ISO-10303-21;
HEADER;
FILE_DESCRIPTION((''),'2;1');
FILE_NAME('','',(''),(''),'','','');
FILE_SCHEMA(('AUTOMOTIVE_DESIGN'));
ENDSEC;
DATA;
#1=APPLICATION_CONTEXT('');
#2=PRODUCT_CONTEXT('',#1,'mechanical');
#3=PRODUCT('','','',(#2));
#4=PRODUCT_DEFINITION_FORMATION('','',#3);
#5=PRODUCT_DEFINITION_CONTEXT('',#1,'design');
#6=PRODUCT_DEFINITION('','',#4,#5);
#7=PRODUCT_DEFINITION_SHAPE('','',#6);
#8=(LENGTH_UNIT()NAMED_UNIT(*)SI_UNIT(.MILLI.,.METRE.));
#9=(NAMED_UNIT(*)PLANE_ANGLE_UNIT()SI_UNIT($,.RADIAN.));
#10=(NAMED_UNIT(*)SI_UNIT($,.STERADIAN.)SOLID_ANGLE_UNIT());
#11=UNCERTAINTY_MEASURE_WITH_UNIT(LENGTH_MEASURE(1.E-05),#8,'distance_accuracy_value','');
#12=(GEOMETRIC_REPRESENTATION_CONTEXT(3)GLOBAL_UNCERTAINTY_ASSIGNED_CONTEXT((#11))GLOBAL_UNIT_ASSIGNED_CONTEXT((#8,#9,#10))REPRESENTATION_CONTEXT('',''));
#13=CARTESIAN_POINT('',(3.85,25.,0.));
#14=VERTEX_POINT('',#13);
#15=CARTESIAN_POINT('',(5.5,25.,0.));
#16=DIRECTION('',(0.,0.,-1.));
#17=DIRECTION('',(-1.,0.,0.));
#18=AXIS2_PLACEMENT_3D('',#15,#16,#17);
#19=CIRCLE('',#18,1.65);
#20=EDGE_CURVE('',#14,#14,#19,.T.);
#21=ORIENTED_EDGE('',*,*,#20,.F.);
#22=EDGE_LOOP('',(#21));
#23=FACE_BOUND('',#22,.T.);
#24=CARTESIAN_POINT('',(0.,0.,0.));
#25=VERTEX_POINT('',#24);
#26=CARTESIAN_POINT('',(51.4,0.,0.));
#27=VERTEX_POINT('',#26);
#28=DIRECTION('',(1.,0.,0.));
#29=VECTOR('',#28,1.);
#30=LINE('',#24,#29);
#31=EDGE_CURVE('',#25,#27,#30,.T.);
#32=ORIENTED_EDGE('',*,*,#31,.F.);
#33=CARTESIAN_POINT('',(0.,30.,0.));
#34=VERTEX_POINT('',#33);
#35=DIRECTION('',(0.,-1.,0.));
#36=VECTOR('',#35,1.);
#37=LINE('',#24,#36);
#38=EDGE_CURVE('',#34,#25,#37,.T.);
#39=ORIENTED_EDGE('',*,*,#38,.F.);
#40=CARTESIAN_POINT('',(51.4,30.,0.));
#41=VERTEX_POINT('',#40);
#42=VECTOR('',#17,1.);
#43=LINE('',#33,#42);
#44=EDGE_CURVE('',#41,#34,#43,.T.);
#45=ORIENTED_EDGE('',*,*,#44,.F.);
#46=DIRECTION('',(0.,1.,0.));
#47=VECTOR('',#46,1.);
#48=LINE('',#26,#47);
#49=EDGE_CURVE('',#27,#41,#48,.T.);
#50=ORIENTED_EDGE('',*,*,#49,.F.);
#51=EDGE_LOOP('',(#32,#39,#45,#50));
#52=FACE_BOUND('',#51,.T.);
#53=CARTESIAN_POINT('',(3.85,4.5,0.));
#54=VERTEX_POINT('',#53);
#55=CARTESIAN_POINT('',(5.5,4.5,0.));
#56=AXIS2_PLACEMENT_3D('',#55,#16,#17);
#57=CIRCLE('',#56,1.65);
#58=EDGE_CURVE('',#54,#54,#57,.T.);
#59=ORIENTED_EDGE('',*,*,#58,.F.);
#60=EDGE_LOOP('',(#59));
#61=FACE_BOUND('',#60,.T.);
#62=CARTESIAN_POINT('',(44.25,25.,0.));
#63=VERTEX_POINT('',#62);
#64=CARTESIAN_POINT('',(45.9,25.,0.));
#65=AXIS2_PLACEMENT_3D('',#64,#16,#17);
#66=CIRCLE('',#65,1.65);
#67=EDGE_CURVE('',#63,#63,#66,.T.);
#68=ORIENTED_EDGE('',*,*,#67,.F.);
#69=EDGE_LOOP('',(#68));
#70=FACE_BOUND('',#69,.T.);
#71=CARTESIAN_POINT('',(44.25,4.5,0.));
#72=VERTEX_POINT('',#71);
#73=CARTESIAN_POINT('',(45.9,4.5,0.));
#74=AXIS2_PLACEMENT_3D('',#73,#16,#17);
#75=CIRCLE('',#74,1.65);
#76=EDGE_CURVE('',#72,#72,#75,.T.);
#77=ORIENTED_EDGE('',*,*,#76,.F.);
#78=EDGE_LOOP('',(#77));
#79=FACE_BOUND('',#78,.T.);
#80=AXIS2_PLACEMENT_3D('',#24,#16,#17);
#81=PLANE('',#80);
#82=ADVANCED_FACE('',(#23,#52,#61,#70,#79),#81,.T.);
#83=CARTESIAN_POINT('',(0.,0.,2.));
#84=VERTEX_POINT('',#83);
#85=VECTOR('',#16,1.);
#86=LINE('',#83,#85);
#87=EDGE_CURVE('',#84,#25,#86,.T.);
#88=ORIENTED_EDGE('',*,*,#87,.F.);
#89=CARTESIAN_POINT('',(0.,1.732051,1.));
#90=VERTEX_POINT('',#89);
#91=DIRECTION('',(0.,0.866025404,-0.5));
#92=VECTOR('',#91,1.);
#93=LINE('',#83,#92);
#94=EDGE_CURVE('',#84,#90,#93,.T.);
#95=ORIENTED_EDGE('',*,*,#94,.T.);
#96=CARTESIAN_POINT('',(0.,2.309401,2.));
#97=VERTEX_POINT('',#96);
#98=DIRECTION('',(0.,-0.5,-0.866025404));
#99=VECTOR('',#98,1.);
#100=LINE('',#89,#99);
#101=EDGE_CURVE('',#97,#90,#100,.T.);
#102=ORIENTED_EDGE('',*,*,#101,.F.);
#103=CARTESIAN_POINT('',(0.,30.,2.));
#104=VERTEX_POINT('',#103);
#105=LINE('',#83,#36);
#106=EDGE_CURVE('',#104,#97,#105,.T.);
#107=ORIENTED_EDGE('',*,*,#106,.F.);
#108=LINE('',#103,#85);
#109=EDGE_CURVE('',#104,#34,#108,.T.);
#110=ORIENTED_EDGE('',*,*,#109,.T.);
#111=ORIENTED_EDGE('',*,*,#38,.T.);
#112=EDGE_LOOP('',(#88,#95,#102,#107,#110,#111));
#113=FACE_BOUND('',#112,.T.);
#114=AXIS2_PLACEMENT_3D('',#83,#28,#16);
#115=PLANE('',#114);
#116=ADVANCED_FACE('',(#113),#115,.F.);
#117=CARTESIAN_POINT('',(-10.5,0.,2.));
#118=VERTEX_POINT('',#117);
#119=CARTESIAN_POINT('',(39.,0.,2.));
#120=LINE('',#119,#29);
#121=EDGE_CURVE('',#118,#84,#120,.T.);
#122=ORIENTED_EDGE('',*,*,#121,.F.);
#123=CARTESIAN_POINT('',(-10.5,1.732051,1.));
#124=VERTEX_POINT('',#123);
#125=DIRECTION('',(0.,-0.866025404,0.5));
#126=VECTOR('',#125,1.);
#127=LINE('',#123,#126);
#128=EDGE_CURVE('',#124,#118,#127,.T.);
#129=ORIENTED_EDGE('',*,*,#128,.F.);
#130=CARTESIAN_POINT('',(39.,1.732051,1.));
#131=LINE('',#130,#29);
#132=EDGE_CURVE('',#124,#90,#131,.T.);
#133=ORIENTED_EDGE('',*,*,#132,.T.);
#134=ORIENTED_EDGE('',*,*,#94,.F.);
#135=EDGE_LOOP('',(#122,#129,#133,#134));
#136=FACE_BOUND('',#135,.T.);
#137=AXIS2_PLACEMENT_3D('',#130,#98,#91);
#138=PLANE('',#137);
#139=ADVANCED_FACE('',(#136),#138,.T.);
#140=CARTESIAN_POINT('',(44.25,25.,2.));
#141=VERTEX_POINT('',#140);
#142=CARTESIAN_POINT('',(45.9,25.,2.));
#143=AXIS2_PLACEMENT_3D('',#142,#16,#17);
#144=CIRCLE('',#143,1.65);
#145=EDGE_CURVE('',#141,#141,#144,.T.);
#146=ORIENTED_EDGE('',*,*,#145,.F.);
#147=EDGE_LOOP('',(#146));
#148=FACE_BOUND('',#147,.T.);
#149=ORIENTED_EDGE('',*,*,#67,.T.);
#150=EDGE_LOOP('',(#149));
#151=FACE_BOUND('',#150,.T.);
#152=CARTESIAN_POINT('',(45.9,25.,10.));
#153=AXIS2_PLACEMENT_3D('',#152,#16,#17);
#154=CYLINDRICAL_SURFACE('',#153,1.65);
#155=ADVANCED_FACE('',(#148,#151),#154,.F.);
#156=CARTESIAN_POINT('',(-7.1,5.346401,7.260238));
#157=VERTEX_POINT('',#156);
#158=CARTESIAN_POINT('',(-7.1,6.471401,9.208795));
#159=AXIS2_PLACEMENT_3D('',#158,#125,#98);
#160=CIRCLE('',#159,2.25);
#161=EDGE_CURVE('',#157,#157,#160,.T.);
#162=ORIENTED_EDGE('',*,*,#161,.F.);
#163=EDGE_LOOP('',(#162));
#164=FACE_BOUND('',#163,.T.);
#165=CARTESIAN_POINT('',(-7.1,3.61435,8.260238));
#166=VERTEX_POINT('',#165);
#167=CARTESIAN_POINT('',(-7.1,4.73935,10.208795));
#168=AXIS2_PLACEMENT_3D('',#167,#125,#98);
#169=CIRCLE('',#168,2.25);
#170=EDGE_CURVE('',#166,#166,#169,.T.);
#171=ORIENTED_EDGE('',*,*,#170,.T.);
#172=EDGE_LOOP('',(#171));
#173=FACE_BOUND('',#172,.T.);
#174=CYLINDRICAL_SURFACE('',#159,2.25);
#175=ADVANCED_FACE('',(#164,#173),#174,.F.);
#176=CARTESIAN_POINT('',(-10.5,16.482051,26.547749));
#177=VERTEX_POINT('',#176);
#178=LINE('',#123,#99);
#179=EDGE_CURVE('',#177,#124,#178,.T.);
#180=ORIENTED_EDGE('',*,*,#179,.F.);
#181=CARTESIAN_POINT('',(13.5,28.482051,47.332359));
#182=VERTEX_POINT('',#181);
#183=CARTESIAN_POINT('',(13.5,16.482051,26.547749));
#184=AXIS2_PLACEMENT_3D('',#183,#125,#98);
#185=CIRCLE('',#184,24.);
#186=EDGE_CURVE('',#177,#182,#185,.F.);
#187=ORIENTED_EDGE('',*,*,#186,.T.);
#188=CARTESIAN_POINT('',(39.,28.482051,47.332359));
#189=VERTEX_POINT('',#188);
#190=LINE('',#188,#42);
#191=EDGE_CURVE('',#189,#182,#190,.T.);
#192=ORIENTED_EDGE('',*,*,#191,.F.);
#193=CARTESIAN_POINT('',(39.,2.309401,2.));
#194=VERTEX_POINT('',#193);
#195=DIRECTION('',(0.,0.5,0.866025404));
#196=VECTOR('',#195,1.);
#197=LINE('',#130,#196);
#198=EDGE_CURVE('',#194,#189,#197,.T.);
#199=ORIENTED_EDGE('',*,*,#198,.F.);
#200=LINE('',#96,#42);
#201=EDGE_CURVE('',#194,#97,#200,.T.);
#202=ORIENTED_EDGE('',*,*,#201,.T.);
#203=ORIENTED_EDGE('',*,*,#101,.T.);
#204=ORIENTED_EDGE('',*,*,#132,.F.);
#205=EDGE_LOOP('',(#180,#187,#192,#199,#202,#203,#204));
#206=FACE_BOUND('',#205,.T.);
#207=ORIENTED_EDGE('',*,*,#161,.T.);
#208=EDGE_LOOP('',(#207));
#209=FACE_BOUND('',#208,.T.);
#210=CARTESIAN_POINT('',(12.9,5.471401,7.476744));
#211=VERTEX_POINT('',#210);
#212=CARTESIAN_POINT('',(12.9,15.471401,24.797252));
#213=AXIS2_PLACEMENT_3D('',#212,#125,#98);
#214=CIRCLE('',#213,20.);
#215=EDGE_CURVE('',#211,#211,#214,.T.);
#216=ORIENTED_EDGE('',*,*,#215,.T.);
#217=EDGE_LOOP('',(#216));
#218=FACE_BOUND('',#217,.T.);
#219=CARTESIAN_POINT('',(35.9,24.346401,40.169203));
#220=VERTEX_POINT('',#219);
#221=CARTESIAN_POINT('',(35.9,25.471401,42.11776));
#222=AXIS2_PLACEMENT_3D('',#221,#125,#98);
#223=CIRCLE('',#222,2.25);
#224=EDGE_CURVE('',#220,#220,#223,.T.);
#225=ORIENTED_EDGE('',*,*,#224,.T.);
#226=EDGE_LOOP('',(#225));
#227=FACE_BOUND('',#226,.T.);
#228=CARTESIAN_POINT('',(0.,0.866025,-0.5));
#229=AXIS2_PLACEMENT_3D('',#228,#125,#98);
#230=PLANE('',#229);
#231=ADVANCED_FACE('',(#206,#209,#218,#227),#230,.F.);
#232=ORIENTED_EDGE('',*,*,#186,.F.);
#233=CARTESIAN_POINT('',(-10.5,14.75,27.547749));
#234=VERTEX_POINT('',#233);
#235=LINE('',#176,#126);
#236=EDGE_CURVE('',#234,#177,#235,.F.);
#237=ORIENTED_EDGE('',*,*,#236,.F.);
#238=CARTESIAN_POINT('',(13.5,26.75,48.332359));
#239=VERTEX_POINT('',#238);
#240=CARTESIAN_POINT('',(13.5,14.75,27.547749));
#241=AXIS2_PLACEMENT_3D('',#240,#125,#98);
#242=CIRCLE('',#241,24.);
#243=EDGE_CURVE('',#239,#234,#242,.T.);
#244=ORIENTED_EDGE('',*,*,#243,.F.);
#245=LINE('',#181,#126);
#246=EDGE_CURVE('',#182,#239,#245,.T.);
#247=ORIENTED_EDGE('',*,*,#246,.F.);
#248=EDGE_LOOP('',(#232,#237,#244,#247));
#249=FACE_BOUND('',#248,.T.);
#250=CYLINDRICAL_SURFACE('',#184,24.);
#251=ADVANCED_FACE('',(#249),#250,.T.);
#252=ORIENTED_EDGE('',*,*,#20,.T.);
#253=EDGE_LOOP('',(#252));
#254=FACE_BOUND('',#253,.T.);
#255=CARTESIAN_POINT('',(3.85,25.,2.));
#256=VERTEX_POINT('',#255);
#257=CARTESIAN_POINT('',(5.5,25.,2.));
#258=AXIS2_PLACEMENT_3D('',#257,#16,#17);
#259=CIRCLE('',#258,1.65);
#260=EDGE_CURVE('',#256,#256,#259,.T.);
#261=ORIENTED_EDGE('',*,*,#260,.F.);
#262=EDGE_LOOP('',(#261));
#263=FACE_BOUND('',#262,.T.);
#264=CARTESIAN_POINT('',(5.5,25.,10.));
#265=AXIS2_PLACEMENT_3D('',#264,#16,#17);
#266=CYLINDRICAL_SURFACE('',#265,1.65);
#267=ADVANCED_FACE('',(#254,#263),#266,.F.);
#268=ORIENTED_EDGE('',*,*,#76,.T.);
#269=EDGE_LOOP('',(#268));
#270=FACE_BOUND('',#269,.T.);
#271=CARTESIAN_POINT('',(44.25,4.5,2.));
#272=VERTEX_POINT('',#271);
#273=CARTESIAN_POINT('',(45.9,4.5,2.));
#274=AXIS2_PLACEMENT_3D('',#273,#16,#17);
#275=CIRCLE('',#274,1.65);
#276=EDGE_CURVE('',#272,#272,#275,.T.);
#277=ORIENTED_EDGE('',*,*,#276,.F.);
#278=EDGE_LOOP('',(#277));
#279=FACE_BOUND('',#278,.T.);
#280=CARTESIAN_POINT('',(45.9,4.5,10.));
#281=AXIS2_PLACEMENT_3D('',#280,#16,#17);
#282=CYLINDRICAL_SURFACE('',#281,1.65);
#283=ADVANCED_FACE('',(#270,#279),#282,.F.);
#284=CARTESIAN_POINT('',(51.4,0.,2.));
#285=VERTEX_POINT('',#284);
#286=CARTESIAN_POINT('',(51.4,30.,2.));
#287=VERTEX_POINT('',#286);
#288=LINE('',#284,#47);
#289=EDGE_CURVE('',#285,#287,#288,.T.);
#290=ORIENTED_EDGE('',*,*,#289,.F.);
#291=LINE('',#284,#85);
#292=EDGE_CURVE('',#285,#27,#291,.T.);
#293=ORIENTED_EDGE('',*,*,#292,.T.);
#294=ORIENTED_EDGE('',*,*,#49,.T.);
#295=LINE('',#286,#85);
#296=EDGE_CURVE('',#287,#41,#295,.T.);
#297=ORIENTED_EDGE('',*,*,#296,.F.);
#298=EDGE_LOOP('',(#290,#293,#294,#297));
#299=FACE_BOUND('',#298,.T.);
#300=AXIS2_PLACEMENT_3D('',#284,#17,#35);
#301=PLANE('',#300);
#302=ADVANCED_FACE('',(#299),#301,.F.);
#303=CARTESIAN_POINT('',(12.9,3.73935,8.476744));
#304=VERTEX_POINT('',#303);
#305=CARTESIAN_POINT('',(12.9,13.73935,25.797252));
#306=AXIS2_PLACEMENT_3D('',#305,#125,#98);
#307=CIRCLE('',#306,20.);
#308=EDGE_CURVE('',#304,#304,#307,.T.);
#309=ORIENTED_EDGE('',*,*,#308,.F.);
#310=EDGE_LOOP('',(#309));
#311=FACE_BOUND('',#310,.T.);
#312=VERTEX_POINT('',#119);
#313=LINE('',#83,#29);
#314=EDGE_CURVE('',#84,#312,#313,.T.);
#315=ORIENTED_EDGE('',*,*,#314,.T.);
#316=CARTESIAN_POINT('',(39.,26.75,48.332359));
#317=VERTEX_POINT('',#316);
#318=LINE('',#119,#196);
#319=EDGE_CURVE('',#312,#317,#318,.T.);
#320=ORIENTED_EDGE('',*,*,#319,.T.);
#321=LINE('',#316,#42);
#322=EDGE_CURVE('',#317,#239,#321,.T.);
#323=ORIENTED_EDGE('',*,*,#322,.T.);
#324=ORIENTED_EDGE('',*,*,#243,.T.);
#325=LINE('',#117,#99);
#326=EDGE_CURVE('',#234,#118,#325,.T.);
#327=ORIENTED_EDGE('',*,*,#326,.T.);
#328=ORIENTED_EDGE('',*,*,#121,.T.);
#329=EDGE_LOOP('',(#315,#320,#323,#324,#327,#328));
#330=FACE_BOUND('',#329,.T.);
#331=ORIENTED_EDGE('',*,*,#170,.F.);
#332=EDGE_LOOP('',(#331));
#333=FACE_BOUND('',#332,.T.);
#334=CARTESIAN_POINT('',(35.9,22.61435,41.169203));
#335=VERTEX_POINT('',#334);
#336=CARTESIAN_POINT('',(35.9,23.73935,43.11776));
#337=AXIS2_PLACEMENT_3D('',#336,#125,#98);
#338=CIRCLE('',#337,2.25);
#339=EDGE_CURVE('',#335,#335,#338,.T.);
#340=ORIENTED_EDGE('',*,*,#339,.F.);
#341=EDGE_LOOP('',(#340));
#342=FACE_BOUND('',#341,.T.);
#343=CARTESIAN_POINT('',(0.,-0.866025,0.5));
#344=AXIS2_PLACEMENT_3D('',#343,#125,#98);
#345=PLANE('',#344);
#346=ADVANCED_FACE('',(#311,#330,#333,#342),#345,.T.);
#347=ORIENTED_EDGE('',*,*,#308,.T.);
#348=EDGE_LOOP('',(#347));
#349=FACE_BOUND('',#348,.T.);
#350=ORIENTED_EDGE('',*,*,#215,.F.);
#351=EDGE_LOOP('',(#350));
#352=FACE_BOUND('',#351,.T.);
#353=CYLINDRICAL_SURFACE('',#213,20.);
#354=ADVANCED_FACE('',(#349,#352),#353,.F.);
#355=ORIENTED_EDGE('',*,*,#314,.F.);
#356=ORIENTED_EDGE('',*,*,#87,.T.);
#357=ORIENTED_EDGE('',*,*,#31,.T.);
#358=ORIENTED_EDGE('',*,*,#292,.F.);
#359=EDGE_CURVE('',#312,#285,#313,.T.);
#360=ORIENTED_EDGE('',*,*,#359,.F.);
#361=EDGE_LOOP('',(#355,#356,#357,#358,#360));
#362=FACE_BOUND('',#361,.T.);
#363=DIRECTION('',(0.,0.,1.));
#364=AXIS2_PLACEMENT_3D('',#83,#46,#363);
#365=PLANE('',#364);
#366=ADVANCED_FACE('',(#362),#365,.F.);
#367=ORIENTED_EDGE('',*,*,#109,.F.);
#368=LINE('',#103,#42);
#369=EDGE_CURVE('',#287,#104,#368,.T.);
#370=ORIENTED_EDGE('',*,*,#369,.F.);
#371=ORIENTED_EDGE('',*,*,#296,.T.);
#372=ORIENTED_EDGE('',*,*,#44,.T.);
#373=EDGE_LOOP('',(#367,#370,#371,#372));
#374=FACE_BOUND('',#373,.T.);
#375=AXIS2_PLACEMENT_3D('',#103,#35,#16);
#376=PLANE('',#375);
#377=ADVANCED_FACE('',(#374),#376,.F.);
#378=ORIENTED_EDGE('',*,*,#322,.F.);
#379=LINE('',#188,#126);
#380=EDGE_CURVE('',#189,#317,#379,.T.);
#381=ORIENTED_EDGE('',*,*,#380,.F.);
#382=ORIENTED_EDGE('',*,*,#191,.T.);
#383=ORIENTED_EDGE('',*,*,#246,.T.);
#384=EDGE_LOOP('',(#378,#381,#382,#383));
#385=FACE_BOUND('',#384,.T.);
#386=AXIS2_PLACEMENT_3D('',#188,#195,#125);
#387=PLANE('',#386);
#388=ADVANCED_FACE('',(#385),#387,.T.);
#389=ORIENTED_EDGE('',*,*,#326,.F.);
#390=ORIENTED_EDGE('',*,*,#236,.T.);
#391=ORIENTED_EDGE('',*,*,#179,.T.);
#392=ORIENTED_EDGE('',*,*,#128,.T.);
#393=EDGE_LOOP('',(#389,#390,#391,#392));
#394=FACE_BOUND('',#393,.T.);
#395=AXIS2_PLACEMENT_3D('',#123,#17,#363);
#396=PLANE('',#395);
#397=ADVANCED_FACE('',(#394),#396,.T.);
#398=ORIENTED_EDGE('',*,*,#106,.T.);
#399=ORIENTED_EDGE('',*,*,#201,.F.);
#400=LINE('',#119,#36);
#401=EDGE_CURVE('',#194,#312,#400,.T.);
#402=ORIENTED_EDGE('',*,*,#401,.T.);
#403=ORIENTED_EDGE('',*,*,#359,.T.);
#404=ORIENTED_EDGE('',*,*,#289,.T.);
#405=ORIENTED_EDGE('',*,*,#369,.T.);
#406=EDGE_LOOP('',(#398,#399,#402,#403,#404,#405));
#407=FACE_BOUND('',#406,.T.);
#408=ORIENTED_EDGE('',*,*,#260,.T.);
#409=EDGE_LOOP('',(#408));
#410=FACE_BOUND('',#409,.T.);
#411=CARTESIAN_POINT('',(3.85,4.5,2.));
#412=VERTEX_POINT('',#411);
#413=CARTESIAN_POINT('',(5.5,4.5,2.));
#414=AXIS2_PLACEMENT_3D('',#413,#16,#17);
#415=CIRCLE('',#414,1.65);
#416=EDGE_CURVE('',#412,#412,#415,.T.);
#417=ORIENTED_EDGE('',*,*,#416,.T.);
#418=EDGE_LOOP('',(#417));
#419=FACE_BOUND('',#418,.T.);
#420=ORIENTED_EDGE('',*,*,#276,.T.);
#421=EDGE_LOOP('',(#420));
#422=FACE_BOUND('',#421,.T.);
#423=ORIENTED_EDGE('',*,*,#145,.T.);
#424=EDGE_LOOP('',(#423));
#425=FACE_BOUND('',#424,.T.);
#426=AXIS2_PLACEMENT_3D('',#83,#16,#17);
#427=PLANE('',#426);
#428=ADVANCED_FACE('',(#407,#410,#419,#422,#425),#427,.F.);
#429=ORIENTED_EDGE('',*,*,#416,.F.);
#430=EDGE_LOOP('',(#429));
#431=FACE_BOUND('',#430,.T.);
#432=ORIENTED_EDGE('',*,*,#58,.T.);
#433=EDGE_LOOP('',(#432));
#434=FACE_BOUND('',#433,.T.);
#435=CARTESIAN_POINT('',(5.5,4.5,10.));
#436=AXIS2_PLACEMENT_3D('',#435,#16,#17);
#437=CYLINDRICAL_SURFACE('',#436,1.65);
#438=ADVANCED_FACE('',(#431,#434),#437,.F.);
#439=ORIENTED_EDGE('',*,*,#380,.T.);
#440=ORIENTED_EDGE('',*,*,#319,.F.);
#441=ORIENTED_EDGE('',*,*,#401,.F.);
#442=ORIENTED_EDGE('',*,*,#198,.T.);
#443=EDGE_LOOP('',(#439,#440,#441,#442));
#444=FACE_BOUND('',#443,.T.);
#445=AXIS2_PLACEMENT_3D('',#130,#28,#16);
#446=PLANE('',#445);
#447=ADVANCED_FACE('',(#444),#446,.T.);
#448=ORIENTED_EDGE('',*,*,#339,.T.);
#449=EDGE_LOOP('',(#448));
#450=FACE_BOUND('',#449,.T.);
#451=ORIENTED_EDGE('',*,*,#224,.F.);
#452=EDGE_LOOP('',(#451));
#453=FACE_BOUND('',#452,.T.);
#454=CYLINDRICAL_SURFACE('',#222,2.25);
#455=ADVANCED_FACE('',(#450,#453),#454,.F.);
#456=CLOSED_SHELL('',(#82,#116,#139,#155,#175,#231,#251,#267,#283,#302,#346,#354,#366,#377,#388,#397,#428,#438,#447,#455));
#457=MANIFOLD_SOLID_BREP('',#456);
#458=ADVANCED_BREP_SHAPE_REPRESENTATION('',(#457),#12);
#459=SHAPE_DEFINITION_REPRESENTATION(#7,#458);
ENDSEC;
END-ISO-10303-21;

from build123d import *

# Parameters (mm, degrees)
SKETCH1_W           = 51.4
SKETCH1_H           = 30
BOSS_EXTRUDE1_DEPTH = 2
SKETCH2_R           = 1.65
CUT_EXTRUDE1_DEPTH  = 10
SKETCH3_W           = 49.5
SKETCH3_H           = 53.5
BOSS_EXTRUDE2_DEPTH = 2
FILLET1_R           = 24
SKETCH5_R           = 2.25
CUT_EXTRUDE2_DEPTH  = 2
SKETCH6_R           = 20
CUT_EXTRUDE3_DEPTH  = 2


with BuildPart() as part:
    # Sketch1 → Boss-Extrude1 (new body)
    with BuildSketch(Plane.XY):
        with Locations((25.7, 15)):
            Rectangle(SKETCH1_W, SKETCH1_H)
    extrude(amount=BOSS_EXTRUDE1_DEPTH)

    # Sketch2 → Cut-Extrude1 (cut)
    with BuildSketch(Plane(origin=(0, 0, 0), x_dir=(-1, 0, 0), z_dir=(0, 0, -1))):
        with Locations((-45.9, 25)):
            Circle(SKETCH2_R)
        with Locations((-5.5, 25)):
            Circle(SKETCH2_R)
        with Locations((-5.5, 4.5)):
            Circle(SKETCH2_R)
        with Locations((-45.9, 4.5)):
            Circle(SKETCH2_R)
    extrude(amount=-CUT_EXTRUDE1_DEPTH, mode=Mode.SUBTRACT)

    # Sketch3 → Boss-Extrude2 (add)
    with BuildSketch(Plane(origin=(0, -0.8660254037844364, 0.4999999999999961), x_dir=(1, 0, 0), z_dir=(0, -0.8660254037844398, 0.499999999999998))):
        with Locations((14.25, 28.482050808)):
            Rectangle(SKETCH3_W, SKETCH3_H)
    extrude(amount=-BOSS_EXTRUDE2_DEPTH)

    # Fillet1
    fillet1_edges = [part.edges().sort_by_distance(p)[0] for p in [
        (-10.5, 27.616025404, 47.832359102),
    ]]
    fillet(fillet1_edges, radius=FILLET1_R)

    # Sketch5 → Cut-Extrude2 (cut)
    with BuildSketch(Plane(origin=(0, -0.8660254037844378, 0.4999999999999969), x_dir=(1, 0, 0), z_dir=(0, -0.8660254037844399, 0.49999999999999806))):
        with Locations(Location((35.9, 49.210750739, 0), (0, 0, 270))):
            Circle(SKETCH5_R)
        with Locations(Location((-7.1, 11.210750739, 0), (0, 0, 270))):
            Circle(SKETCH5_R)
    extrude(amount=-CUT_EXTRUDE2_DEPTH, mode=Mode.SUBTRACT)

    # Sketch6 → Cut-Extrude3 (cut)
    with BuildSketch(Plane(origin=(0, -0.8660254037844378, 0.4999999999999969), x_dir=(1, 0, 0), z_dir=(0, -0.8660254037844399, 0.49999999999999806))):
        with Locations(Location((12.9, 29.210750739, 0), (0, 0, 270))):
            Circle(SKETCH6_R)
    extrude(amount=-CUT_EXTRUDE3_DEPTH, mode=Mode.SUBTRACT)


solid = part.part
